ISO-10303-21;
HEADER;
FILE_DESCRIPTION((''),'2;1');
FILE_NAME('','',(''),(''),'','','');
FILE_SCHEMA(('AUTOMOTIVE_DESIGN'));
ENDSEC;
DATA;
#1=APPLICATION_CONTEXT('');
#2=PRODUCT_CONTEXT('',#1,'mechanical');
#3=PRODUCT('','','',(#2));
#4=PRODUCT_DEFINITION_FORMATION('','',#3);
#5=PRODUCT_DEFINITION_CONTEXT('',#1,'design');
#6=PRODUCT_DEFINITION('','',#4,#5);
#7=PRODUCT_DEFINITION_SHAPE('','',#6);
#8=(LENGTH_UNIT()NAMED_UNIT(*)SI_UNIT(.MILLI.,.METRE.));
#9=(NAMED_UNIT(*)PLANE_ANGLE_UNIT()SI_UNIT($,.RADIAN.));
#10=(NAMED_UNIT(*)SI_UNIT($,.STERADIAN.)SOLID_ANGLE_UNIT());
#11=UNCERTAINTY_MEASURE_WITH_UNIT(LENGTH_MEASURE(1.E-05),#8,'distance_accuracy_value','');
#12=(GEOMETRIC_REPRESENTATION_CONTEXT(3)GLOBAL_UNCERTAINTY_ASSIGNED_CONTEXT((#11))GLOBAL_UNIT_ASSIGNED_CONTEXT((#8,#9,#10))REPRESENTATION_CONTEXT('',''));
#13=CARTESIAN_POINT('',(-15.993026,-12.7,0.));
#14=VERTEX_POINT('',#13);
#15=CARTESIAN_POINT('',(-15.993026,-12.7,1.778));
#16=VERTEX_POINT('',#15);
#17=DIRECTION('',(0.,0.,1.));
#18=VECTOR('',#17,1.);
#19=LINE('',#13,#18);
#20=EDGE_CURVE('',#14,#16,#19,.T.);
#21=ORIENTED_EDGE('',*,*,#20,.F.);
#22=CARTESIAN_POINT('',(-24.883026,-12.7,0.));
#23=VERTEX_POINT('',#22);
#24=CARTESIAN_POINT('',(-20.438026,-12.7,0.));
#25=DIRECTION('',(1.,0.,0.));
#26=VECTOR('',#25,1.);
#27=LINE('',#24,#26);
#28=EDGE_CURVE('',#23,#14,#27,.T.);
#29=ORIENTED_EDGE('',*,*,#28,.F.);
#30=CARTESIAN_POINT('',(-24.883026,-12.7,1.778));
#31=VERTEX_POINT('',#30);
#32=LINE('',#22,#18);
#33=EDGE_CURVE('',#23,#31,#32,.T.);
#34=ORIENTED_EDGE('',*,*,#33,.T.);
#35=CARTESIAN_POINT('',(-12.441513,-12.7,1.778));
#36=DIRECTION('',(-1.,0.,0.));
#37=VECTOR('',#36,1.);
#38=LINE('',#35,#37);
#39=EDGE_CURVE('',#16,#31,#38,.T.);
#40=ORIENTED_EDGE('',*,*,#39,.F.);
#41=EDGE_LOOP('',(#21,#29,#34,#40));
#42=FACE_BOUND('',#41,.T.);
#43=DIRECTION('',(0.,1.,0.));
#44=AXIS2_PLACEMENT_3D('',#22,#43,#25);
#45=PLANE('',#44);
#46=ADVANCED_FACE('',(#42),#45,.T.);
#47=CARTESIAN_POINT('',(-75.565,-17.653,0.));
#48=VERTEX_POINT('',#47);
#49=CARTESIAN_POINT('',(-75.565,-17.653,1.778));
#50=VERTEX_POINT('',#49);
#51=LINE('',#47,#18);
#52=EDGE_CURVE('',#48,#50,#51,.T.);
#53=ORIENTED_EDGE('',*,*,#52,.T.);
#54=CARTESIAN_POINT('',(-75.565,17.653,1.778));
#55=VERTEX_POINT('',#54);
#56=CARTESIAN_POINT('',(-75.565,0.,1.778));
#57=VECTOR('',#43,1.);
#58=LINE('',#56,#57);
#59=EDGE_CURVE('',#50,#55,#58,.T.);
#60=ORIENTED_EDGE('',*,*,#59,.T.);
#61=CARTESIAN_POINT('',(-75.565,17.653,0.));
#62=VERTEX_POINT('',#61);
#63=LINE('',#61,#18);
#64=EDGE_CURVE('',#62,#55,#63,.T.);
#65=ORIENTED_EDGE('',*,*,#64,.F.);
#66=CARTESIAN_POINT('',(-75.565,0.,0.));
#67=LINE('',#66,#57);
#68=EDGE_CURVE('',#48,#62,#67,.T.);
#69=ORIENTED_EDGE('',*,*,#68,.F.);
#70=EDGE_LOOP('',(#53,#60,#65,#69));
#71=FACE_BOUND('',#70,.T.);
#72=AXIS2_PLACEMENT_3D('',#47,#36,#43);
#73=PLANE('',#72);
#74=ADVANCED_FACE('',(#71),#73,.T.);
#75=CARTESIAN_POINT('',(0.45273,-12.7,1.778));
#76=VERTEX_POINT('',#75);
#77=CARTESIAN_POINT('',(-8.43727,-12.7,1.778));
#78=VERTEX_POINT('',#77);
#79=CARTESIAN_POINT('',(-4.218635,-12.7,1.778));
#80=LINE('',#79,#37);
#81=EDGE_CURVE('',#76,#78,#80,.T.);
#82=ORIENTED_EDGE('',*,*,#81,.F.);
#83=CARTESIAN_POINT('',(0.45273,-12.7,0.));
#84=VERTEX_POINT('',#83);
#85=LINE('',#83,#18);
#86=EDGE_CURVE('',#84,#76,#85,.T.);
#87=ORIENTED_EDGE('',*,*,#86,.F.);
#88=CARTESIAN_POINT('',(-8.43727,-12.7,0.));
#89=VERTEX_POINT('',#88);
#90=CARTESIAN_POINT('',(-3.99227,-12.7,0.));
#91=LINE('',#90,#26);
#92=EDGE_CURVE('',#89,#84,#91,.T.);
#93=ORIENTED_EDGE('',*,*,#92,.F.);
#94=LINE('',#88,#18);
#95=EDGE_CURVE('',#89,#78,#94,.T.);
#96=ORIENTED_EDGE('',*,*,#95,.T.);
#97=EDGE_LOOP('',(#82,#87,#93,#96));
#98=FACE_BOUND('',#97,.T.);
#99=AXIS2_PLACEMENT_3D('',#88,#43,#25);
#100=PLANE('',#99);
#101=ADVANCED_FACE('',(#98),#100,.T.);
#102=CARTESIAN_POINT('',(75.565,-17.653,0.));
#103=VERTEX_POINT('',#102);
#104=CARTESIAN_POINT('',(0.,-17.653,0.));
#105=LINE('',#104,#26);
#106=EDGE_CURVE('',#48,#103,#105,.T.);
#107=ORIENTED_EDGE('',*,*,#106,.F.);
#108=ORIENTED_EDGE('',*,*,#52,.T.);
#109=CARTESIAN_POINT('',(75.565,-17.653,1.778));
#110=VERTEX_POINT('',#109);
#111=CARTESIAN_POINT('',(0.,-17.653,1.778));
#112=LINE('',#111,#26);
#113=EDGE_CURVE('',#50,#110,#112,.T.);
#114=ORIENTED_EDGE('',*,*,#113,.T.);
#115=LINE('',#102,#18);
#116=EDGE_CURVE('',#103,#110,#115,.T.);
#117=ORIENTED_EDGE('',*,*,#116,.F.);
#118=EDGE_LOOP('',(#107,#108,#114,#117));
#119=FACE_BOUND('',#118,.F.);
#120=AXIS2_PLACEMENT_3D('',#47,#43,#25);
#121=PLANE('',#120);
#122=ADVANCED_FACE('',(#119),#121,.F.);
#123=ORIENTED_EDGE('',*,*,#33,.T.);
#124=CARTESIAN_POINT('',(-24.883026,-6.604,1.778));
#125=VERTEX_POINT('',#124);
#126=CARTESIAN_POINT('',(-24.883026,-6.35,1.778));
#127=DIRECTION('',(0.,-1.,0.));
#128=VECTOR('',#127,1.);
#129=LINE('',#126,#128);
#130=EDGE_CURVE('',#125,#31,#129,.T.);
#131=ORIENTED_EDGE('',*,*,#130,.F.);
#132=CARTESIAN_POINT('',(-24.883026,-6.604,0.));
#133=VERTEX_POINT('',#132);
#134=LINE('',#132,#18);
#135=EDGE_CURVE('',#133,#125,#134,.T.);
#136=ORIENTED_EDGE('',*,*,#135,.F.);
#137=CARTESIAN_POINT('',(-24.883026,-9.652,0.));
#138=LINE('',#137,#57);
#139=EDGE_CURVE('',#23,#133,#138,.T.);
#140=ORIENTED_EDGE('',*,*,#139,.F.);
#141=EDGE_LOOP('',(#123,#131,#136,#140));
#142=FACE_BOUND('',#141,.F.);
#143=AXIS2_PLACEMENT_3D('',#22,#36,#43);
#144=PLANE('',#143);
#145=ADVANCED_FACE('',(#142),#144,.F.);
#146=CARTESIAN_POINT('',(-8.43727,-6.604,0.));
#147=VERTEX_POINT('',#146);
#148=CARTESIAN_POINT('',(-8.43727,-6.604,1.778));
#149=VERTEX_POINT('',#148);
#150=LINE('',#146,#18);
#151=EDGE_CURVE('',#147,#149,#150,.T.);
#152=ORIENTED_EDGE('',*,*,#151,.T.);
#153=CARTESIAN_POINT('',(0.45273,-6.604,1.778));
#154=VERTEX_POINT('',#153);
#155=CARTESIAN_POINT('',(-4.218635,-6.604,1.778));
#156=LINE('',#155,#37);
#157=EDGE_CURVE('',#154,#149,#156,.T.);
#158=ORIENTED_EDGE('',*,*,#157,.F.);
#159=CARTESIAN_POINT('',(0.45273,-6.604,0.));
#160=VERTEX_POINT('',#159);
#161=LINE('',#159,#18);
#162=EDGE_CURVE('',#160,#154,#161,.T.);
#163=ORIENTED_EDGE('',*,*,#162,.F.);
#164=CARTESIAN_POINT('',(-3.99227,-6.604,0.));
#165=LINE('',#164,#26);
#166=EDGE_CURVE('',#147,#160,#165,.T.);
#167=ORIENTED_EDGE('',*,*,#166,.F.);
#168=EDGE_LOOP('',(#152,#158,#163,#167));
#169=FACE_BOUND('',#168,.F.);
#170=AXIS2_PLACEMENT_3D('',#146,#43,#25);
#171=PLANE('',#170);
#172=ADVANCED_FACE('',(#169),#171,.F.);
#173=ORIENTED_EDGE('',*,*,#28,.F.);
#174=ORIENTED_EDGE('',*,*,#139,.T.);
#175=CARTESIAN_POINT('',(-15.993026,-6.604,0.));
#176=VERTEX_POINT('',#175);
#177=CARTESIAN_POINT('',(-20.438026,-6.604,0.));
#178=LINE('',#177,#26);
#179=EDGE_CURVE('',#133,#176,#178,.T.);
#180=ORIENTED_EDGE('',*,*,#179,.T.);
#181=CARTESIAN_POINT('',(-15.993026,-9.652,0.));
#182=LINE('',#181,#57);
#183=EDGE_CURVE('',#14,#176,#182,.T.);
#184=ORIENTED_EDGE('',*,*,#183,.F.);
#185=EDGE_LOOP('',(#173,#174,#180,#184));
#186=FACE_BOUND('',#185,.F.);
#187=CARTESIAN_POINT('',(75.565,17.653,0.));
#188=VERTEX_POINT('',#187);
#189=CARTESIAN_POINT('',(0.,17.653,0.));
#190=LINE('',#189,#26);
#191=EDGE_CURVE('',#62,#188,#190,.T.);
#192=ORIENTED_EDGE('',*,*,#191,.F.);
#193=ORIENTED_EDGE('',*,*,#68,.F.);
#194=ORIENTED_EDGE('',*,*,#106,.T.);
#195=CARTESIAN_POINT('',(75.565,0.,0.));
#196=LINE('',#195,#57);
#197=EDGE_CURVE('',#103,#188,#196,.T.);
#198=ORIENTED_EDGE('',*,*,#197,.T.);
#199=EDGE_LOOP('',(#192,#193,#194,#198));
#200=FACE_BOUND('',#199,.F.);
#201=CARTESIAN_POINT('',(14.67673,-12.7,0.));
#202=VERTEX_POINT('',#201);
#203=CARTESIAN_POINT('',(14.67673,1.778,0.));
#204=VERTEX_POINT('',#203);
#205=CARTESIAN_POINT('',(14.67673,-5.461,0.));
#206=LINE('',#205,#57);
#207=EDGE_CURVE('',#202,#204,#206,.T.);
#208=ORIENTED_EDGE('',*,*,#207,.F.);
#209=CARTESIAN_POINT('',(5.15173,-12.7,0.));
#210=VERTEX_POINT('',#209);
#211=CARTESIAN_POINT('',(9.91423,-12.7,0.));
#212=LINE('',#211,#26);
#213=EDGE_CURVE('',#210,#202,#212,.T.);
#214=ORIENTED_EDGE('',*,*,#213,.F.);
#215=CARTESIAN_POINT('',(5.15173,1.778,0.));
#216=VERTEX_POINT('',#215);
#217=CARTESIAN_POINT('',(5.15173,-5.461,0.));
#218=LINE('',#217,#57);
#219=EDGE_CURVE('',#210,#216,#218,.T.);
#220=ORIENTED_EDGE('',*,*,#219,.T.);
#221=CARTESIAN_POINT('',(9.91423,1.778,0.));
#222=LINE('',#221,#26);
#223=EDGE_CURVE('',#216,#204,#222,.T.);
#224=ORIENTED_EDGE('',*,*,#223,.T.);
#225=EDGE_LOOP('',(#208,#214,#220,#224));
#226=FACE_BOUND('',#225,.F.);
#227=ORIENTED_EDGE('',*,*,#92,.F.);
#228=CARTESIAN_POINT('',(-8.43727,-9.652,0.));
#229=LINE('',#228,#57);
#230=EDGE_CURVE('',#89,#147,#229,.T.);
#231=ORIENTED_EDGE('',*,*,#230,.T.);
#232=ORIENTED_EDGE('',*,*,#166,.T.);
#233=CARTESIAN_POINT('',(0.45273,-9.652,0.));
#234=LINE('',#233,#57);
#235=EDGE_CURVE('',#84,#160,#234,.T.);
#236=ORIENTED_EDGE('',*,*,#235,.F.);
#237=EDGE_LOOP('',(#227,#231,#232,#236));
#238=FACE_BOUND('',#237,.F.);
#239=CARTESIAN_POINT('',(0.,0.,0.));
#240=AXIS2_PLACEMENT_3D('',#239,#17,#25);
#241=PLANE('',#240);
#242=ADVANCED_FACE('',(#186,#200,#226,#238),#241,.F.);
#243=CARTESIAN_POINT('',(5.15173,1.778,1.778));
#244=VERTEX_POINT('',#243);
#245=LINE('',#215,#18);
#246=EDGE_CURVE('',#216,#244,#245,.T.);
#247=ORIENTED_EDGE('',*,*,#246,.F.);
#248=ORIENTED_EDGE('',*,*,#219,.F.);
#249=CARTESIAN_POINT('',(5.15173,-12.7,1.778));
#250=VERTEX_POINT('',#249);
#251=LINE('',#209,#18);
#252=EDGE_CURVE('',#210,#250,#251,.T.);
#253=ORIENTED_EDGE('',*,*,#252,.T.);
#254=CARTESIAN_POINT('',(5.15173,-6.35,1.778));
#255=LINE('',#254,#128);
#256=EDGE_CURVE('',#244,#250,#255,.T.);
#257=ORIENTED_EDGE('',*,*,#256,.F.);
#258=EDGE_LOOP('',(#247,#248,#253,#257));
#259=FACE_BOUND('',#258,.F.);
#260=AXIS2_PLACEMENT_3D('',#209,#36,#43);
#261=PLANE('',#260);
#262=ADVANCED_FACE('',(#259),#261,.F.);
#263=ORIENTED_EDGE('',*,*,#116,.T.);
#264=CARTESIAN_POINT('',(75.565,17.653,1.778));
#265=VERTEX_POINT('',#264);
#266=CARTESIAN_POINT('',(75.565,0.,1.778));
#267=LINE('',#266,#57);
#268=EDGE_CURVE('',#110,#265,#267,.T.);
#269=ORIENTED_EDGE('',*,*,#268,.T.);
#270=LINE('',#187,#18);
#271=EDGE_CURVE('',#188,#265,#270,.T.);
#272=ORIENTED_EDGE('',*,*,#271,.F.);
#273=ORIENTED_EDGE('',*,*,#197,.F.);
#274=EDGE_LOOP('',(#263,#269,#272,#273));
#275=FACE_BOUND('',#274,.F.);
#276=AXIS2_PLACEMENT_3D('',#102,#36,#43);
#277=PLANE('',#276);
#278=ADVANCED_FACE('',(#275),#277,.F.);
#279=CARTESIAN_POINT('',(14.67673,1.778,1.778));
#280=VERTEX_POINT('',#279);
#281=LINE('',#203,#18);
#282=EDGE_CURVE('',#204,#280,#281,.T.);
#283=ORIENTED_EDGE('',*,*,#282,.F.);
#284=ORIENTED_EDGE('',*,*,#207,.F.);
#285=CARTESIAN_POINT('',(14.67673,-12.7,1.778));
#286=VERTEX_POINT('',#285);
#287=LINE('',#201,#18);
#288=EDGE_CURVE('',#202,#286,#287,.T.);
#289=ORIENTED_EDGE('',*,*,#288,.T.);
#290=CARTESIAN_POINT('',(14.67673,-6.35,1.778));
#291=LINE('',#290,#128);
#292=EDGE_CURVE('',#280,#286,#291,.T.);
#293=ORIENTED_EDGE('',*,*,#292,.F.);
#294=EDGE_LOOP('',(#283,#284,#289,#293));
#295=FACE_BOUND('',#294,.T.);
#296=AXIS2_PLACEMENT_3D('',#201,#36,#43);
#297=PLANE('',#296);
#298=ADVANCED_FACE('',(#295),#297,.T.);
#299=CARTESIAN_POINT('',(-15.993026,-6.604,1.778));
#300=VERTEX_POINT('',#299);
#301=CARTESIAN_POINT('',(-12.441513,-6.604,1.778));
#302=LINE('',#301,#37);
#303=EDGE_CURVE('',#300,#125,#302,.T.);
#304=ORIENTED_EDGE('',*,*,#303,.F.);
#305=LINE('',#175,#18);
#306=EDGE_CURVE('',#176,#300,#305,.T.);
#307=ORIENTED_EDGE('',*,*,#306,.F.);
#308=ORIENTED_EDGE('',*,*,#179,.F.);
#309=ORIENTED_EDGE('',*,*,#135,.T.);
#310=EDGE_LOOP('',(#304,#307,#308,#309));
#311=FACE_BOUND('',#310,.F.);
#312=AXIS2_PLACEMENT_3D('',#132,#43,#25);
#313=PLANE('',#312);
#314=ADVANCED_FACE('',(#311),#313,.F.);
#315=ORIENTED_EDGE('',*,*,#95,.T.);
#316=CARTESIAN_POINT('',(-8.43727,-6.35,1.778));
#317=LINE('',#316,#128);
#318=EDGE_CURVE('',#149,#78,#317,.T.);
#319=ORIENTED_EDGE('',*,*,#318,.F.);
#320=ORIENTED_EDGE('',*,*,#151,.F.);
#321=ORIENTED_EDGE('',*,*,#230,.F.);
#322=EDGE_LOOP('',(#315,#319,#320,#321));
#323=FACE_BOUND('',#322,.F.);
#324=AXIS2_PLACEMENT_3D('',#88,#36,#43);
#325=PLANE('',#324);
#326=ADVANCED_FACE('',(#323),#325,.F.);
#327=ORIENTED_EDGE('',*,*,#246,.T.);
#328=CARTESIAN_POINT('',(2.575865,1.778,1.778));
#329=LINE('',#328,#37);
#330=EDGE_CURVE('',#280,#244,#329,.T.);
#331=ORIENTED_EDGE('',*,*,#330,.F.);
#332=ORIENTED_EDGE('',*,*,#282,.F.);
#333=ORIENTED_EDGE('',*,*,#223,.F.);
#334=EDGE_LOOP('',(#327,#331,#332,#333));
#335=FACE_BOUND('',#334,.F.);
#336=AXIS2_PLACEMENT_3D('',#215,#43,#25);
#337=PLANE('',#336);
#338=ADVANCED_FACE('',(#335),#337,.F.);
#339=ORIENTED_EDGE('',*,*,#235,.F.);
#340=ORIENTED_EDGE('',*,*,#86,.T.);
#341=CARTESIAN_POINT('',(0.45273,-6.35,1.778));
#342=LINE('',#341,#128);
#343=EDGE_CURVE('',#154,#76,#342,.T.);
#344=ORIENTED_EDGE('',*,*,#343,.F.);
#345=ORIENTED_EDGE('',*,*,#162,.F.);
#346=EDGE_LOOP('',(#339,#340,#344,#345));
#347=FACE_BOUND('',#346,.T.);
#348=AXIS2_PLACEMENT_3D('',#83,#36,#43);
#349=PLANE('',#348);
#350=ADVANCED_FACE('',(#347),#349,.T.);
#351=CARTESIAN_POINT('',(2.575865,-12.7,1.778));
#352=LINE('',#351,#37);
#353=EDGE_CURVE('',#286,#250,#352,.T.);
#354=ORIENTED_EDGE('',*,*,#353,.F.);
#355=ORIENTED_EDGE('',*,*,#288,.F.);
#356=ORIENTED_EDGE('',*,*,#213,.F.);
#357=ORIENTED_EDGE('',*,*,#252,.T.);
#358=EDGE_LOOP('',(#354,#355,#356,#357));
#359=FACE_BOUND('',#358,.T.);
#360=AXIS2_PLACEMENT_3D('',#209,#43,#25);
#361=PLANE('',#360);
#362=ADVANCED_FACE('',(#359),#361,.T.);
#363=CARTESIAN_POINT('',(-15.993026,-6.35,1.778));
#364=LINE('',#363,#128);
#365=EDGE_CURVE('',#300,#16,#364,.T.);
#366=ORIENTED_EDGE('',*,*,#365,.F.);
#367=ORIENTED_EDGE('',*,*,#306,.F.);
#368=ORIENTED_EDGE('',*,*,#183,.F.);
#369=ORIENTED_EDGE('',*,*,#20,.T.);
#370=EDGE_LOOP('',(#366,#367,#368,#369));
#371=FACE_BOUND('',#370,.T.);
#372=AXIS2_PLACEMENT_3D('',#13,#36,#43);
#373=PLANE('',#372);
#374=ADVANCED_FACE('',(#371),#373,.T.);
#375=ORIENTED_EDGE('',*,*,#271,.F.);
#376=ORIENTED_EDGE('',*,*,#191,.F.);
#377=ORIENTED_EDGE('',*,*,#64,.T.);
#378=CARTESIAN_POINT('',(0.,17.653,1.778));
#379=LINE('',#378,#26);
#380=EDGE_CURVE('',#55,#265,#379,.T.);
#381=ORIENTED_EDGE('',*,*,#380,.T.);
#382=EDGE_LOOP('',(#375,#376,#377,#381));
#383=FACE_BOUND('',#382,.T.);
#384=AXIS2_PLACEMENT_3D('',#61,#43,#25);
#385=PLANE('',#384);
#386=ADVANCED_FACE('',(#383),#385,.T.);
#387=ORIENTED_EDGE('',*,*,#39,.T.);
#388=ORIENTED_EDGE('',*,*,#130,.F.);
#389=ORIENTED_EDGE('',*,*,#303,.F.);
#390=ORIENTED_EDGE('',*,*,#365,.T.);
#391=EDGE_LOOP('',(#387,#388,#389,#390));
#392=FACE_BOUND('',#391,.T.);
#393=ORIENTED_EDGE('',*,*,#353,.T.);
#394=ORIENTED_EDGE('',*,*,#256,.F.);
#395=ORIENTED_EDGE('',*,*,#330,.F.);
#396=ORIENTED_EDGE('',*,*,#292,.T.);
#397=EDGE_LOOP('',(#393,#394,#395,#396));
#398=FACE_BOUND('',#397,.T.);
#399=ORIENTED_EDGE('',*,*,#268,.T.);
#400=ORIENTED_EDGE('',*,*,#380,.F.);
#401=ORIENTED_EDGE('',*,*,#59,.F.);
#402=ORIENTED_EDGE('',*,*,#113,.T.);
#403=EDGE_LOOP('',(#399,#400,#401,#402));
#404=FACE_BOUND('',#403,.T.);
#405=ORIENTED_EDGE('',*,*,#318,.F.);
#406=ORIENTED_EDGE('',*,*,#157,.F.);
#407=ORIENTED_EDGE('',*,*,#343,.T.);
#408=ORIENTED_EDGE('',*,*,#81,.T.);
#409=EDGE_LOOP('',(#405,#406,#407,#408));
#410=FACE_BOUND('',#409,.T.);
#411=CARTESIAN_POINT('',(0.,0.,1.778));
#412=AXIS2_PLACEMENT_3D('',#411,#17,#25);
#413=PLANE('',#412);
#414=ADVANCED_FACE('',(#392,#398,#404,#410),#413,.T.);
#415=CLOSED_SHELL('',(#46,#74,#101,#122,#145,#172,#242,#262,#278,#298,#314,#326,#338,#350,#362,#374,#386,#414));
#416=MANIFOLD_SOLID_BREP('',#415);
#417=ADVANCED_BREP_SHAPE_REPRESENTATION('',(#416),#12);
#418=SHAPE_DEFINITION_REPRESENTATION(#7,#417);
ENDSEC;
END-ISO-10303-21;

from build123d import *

# Parameters (mm, degrees)
F0_W     = 151.13
F0_H     = 35.306
F1_DEPTH = 1.778
F2_W     = 151.13
F2_H     = 35.306
F4_DEPTH = 1.778
F3_W     = 8.89
F3_H     = 6.096
F3_W_2   = 9.525
F3_H_2   = 14.478
F5_DEPTH = 2.54


with BuildPart() as f1:
    # F0 (on Top) → F1 (new body)
    with BuildSketch(Plane.XY):
        with Locations((-0.822666, -120.916817)):
            Rectangle(F0_W, F0_H)
    extrude(amount=F1_DEPTH)


with BuildPart() as f4:
    # F2 (on Top) → F4 (new body)
    with BuildSketch(Plane.XY):
        Rectangle(F2_W, F2_H)
    extrude(amount=F4_DEPTH)

    # F3 (on face) → F5 (cut)
    with BuildSketch(Plane.XY):
        with Locations((-3.99227, -9.652)):
            Rectangle(F3_W, F3_H)
        with Locations((-20.438026, -9.652)):
            Rectangle(F3_W, F3_H)
        with Locations((9.91423, -5.461)):
            Rectangle(F3_W_2, F3_H_2)
    extrude(amount=F5_DEPTH, mode=Mode.SUBTRACT)


solid = f4.part
